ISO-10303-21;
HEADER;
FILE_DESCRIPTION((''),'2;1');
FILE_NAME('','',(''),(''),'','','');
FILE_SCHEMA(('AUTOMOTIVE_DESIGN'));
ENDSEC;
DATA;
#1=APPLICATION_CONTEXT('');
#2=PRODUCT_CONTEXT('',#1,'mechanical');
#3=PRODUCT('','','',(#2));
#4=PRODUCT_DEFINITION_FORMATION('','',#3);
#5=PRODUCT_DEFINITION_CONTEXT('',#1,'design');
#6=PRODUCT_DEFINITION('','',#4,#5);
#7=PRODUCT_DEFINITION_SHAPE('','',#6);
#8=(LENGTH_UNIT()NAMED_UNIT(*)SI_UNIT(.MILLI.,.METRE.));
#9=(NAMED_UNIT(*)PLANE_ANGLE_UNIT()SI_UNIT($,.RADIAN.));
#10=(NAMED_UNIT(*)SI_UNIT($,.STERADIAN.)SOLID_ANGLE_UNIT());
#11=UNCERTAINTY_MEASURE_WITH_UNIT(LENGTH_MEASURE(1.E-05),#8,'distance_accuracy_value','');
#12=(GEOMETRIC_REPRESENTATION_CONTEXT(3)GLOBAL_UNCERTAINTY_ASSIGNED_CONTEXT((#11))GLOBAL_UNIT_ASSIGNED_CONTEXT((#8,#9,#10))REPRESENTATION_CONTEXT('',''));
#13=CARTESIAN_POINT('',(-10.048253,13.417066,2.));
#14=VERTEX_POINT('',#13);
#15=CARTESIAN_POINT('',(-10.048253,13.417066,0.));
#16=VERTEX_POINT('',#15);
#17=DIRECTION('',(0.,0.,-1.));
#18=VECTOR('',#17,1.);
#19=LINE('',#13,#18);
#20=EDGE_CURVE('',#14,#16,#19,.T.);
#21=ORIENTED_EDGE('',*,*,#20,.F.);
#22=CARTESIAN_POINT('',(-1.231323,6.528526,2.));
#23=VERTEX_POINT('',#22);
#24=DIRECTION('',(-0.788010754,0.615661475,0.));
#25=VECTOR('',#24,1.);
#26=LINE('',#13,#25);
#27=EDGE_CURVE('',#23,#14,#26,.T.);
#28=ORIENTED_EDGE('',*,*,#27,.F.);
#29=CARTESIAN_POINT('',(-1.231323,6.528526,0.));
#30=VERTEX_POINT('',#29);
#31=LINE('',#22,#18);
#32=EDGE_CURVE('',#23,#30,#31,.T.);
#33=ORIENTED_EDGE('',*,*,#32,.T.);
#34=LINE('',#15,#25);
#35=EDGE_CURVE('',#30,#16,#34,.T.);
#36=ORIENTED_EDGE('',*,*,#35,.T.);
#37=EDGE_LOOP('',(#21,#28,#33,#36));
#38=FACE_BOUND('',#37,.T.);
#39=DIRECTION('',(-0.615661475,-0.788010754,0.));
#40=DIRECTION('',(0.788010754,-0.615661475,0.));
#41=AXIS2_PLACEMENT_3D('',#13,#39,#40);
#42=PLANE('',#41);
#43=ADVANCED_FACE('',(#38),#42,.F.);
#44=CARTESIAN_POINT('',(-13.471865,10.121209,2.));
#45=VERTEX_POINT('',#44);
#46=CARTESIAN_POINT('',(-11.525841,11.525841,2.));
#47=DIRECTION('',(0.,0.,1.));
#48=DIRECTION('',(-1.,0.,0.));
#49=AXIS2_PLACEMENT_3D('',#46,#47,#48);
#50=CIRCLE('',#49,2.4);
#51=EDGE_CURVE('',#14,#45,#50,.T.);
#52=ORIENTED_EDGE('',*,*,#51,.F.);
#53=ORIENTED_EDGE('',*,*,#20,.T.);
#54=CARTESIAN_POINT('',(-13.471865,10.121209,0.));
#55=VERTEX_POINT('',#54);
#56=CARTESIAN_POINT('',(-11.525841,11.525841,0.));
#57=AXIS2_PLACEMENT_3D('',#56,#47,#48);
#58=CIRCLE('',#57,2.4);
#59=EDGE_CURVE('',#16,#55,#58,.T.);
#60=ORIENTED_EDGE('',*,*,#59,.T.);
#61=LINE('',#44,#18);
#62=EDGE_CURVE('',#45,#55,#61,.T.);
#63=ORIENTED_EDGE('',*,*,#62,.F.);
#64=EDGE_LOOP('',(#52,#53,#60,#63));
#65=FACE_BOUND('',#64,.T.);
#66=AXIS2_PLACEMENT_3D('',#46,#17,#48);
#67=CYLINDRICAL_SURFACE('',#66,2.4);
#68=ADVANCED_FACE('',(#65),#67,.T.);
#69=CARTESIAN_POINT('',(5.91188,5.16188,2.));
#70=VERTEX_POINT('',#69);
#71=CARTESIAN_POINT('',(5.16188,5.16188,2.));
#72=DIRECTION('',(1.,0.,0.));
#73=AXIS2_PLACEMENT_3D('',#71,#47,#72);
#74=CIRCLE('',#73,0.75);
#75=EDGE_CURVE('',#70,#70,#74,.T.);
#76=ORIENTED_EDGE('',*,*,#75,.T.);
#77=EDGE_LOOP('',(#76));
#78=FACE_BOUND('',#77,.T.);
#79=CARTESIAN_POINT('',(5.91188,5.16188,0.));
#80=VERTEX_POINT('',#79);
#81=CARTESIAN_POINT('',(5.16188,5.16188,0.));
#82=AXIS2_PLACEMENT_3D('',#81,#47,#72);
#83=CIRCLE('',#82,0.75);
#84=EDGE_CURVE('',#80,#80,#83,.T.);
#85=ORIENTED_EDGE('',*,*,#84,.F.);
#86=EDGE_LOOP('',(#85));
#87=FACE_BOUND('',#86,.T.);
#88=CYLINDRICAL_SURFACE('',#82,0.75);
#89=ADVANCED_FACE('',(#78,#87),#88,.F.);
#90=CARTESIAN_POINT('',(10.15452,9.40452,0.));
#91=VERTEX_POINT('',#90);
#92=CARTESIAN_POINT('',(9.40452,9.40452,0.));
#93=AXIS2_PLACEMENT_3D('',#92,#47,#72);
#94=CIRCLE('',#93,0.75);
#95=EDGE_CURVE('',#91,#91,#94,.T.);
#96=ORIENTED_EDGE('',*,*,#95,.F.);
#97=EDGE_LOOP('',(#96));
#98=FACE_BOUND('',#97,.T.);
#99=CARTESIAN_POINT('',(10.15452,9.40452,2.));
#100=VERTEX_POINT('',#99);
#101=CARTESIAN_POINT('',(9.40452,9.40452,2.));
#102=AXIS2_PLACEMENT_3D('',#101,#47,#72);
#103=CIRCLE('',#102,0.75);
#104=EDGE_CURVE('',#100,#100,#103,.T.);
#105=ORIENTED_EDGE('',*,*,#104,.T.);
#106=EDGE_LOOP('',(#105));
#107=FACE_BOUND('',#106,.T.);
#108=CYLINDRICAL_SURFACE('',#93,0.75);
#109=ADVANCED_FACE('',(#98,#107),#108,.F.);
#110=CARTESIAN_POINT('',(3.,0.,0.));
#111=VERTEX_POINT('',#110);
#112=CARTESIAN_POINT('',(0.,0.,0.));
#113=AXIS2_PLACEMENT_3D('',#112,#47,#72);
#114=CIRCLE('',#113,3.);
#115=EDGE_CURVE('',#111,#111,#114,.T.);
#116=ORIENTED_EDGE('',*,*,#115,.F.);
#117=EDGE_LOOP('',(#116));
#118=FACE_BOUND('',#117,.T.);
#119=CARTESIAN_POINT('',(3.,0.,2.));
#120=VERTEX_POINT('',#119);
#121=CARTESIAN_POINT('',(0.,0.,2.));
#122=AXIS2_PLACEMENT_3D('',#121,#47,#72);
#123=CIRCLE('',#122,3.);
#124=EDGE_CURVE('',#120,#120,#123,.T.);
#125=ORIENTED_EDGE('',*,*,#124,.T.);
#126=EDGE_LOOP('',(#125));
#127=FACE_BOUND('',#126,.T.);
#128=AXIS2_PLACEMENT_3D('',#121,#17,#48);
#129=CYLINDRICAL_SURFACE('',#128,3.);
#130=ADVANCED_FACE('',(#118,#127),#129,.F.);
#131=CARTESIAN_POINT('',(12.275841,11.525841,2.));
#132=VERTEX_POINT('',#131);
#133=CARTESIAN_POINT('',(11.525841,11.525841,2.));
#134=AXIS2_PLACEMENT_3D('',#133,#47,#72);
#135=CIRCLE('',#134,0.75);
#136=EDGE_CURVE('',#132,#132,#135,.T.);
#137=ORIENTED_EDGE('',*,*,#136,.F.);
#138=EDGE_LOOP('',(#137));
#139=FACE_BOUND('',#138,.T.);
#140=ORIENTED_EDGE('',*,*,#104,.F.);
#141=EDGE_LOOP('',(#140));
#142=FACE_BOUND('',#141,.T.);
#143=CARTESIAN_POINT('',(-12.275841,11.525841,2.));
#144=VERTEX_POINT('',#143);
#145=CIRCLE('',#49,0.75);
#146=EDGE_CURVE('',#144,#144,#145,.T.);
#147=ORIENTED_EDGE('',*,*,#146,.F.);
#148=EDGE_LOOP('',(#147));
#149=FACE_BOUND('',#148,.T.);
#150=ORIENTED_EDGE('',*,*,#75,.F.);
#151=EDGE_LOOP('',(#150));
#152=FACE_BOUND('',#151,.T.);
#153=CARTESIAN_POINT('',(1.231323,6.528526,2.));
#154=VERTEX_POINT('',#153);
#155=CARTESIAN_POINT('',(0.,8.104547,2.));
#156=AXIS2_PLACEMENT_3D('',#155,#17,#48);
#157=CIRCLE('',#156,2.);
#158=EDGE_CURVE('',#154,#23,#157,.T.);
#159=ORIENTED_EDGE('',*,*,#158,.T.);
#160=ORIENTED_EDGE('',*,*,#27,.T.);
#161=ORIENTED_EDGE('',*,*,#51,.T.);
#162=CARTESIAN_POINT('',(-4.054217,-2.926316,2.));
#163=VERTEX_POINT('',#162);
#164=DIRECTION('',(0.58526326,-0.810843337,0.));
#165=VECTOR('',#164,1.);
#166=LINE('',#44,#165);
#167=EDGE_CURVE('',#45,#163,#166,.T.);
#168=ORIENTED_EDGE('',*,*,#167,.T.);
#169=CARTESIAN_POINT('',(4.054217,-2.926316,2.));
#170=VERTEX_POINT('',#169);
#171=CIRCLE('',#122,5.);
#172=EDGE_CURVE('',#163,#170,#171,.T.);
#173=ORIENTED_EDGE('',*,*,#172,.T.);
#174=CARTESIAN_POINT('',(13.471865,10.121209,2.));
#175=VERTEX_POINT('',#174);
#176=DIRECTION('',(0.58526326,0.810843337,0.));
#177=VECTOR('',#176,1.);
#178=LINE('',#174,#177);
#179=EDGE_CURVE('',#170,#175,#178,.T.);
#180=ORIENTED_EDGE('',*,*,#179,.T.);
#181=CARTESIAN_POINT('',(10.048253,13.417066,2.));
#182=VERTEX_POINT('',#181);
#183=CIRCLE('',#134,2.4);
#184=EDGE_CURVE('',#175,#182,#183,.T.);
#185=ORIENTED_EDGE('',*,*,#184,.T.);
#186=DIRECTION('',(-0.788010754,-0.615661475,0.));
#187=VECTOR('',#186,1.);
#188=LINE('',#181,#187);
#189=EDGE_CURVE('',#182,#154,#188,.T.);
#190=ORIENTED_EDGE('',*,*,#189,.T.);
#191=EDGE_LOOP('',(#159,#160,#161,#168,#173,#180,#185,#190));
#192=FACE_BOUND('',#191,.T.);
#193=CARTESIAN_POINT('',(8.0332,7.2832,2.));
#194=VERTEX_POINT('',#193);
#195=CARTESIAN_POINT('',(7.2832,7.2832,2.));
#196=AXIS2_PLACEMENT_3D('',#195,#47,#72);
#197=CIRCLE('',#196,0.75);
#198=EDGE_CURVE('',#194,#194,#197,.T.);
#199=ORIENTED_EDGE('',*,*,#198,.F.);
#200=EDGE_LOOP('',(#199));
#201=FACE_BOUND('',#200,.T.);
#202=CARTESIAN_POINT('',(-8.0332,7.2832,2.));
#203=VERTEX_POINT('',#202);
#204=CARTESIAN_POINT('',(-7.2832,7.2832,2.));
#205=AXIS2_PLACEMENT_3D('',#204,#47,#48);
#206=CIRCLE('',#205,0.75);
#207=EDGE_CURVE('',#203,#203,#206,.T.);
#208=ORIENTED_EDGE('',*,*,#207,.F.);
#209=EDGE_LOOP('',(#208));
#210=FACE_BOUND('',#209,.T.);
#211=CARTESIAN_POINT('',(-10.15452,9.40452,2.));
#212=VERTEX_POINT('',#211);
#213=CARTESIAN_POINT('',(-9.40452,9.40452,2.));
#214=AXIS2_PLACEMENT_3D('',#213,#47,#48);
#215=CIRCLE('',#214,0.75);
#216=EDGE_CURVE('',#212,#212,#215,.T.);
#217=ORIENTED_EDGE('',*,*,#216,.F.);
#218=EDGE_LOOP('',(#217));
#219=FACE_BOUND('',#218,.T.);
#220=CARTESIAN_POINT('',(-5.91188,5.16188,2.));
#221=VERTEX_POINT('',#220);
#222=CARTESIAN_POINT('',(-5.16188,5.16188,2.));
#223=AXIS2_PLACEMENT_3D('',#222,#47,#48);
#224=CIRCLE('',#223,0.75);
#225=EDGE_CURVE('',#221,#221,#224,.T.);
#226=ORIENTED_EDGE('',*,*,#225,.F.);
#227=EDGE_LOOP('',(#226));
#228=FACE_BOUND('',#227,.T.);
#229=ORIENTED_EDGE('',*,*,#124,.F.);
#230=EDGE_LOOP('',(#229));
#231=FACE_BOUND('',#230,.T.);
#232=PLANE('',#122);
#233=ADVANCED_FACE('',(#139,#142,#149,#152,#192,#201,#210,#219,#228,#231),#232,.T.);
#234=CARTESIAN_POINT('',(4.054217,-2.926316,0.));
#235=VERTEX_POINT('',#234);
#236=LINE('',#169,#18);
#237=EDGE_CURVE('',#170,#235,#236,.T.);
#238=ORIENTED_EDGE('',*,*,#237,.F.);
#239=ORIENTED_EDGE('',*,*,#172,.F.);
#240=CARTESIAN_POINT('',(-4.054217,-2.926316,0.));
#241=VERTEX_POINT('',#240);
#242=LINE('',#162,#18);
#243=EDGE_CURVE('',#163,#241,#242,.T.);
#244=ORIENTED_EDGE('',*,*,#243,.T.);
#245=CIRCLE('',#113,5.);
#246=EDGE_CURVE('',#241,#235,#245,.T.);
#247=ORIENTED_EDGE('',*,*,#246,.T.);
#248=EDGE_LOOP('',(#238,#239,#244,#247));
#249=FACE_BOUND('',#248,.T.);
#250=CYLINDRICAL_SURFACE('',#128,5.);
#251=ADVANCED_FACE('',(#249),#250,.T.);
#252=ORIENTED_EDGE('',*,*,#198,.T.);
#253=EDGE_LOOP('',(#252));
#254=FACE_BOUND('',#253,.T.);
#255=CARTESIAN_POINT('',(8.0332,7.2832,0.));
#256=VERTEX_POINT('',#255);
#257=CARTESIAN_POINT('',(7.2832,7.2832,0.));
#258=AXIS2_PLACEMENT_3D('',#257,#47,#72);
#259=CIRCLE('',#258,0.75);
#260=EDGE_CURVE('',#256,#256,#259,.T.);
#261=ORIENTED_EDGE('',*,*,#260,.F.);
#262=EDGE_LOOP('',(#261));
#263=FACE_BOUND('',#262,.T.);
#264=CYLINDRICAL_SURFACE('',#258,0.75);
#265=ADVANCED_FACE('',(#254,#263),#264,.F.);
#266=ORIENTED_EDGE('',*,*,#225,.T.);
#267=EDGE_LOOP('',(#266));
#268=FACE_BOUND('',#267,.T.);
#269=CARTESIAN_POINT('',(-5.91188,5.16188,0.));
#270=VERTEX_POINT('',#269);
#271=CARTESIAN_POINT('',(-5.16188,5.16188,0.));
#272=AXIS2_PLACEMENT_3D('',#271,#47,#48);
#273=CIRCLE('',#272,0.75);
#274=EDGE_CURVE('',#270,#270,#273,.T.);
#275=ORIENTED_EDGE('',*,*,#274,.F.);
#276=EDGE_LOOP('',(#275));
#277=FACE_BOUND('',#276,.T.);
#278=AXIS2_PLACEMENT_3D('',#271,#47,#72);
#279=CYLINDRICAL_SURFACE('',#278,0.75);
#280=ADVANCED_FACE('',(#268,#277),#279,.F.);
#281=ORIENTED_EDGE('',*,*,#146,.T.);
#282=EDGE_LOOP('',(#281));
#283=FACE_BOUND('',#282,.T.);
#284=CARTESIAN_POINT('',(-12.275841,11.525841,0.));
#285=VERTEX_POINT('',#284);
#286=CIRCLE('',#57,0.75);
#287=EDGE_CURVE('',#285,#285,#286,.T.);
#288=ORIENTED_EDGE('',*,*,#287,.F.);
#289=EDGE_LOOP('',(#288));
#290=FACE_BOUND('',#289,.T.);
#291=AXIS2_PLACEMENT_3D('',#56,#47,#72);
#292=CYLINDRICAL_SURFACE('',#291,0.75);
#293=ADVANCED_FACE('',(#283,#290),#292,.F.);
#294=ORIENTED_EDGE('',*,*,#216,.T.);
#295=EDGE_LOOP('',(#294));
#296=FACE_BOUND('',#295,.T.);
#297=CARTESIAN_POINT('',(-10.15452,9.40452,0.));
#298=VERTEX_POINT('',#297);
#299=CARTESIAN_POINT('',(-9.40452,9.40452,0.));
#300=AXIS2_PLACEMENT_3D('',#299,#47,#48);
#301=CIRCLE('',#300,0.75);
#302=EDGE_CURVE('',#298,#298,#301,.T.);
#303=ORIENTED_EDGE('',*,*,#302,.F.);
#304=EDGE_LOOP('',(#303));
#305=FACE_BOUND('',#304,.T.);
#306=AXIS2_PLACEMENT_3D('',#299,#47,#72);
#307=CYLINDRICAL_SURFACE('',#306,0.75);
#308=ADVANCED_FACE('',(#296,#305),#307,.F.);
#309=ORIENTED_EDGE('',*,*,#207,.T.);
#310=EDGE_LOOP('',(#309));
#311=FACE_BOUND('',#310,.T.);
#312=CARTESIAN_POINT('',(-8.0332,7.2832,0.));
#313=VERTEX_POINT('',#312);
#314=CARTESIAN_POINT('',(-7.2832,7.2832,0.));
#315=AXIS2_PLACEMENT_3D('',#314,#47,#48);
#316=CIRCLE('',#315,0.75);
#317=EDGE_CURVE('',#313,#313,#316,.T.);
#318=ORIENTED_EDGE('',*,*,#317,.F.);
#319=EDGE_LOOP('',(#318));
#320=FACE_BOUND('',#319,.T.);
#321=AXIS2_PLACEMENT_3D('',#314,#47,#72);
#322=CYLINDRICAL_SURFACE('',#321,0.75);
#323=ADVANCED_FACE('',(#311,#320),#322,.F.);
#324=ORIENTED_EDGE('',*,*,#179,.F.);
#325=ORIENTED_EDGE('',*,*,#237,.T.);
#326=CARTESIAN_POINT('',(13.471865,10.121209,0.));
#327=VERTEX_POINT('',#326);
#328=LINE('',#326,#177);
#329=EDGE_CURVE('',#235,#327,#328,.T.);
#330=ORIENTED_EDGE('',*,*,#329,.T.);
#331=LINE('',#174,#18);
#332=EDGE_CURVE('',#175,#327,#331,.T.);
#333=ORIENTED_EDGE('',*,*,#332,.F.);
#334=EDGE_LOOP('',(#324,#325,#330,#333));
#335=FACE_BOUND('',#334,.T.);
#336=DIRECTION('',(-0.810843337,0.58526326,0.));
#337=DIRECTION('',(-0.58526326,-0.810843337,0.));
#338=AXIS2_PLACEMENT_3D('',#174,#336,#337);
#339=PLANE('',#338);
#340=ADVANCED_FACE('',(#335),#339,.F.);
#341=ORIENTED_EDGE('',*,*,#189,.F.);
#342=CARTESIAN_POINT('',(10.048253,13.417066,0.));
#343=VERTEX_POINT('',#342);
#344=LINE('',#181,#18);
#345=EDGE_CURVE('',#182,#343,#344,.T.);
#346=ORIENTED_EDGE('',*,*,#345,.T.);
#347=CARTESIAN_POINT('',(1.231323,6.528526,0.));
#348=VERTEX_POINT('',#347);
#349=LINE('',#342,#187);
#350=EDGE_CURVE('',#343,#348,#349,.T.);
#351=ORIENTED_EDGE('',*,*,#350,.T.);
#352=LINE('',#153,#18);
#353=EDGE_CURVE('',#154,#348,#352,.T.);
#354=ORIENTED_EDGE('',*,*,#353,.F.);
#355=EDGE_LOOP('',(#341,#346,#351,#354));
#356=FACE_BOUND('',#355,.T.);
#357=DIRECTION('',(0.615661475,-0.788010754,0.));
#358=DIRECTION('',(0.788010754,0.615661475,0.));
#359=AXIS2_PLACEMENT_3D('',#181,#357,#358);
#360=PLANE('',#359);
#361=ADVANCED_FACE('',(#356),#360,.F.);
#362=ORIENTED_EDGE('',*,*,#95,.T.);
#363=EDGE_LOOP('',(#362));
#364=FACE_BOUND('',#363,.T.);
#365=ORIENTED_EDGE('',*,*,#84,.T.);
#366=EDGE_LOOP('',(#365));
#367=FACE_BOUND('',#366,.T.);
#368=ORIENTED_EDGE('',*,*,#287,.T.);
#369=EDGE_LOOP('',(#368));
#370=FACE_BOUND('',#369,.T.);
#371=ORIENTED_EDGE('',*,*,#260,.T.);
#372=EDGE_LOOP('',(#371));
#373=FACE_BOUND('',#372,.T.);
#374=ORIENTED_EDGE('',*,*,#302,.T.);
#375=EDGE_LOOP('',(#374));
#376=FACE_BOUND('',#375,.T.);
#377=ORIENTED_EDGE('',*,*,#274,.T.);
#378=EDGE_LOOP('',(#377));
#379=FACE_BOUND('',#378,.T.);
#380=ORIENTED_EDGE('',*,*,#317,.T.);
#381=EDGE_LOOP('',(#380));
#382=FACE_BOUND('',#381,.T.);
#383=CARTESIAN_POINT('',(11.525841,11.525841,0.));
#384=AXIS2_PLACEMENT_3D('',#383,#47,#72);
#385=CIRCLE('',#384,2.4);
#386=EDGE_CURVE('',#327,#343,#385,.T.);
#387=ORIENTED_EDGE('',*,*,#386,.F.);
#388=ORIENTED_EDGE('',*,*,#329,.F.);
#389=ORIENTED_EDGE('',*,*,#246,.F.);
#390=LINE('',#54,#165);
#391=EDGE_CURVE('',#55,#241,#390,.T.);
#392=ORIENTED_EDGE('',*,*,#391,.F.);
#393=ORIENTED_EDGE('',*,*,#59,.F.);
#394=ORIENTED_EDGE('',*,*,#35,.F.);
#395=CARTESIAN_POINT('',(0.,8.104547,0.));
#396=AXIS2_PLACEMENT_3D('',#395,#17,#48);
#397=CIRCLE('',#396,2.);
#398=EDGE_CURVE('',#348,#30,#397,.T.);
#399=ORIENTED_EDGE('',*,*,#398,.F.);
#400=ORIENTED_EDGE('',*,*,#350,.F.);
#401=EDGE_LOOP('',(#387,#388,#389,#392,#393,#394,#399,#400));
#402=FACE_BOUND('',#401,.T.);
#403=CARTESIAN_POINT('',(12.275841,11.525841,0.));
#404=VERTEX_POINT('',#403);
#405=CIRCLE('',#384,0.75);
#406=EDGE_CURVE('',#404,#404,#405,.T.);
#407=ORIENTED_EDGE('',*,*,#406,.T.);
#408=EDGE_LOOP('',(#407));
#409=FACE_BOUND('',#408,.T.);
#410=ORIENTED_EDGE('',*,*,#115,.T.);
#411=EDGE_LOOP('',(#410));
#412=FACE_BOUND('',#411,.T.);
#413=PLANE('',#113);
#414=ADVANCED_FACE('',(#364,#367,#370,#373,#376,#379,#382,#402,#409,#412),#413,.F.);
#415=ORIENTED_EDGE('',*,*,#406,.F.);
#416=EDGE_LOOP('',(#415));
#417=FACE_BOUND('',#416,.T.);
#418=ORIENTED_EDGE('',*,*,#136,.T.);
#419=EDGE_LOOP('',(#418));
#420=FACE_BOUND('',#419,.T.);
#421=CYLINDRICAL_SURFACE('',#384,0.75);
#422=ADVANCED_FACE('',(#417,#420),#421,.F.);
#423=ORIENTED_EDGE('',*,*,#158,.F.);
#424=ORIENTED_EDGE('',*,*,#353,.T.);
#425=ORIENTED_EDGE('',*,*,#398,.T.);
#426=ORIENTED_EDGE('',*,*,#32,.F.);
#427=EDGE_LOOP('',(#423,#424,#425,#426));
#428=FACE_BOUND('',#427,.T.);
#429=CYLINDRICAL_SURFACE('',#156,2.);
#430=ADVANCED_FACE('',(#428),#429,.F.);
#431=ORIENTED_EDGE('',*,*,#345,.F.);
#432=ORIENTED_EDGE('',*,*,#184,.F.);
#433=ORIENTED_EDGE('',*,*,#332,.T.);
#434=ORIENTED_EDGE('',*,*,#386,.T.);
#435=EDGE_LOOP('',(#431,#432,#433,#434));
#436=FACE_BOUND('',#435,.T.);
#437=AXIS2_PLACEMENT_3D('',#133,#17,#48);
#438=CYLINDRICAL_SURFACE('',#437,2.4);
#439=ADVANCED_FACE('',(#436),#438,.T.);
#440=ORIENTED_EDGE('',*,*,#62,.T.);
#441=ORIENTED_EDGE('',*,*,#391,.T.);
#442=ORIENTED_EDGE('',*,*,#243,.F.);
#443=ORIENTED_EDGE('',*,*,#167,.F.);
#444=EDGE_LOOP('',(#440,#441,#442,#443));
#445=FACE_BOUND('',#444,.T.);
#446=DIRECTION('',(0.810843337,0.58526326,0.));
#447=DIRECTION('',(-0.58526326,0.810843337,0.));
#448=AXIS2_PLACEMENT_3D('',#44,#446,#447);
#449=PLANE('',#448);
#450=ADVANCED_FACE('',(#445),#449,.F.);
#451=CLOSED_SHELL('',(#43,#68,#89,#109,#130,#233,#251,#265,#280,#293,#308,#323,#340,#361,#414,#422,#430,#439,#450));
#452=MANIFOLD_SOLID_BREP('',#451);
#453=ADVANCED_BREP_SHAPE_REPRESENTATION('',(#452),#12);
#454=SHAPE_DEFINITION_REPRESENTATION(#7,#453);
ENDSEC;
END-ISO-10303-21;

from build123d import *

# Parameters (mm, degrees)
SKETCH1_R      = 3
EXTRUDE1_DEPTH = 2
SKETCH2_R      = 0.75
EXTRUDE2_DEPTH = 2


with BuildPart() as part:
    # Sketch1 → Extrude1 (new body)
    with BuildSketch(Plane.XY):
        with BuildLine():
            Line((13.471864542, 10.121208711), (4.054216685, -2.926316298))
            ThreePointArc((4.054216685, -2.926316298), (0, -5), (-4.054216685, -2.926316298))
            Line((-4.054216685, -2.926316298), (-13.471864542, 10.121208711))
            ThreePointArc((-13.471864542, 10.121208711), (-13.190330714, 13.254849624), (-10.048252993, 13.417066342))
            Line((-10.048252993, 13.417066342), (-1.231322951, 6.52852563))
            ThreePointArc((-1.231322951, 6.52852563), (0, 6.104547138), (1.231322951, 6.52852563))
            Line((1.231322951, 6.52852563), (10.048252993, 13.417066342))
            ThreePointArc((10.048252993, 13.417066342), (13.190330714, 13.254849624), (13.471864542, 10.121208711))
        make_face()
        Circle(SKETCH1_R, mode=Mode.SUBTRACT)
    extrude(amount=EXTRUDE1_DEPTH)

    # Sketch2 → Extrude2 (cut)
    with BuildSketch(Plane.XY.offset(2)):
        with Locations((11.525840533, 11.525840533)):
            Circle(SKETCH2_R)
        with Locations((9.40452019, 9.40452019)):
            Circle(SKETCH2_R)
        with Locations((7.283199846, 7.283199846)):
            Circle(SKETCH2_R)
        with Locations((5.161879503, 5.161879503)):
            Circle(SKETCH2_R)
        with Locations(Location((-5.161879503, 5.161879503, 0), (0, 0, 180))):
            Circle(SKETCH2_R)
        with Locations(Location((-7.283199846, 7.283199846, 0), (0, 0, 180))):
            Circle(SKETCH2_R)
        with Locations(Location((-9.40452019, 9.40452019, 0), (0, 0, 180))):
            Circle(SKETCH2_R)
        with Locations(Location((-11.525840533, 11.525840533, 0), (0, 0, 180))):
            Circle(SKETCH2_R)
    extrude(amount=-EXTRUDE2_DEPTH, mode=Mode.SUBTRACT)


solid = part.part
